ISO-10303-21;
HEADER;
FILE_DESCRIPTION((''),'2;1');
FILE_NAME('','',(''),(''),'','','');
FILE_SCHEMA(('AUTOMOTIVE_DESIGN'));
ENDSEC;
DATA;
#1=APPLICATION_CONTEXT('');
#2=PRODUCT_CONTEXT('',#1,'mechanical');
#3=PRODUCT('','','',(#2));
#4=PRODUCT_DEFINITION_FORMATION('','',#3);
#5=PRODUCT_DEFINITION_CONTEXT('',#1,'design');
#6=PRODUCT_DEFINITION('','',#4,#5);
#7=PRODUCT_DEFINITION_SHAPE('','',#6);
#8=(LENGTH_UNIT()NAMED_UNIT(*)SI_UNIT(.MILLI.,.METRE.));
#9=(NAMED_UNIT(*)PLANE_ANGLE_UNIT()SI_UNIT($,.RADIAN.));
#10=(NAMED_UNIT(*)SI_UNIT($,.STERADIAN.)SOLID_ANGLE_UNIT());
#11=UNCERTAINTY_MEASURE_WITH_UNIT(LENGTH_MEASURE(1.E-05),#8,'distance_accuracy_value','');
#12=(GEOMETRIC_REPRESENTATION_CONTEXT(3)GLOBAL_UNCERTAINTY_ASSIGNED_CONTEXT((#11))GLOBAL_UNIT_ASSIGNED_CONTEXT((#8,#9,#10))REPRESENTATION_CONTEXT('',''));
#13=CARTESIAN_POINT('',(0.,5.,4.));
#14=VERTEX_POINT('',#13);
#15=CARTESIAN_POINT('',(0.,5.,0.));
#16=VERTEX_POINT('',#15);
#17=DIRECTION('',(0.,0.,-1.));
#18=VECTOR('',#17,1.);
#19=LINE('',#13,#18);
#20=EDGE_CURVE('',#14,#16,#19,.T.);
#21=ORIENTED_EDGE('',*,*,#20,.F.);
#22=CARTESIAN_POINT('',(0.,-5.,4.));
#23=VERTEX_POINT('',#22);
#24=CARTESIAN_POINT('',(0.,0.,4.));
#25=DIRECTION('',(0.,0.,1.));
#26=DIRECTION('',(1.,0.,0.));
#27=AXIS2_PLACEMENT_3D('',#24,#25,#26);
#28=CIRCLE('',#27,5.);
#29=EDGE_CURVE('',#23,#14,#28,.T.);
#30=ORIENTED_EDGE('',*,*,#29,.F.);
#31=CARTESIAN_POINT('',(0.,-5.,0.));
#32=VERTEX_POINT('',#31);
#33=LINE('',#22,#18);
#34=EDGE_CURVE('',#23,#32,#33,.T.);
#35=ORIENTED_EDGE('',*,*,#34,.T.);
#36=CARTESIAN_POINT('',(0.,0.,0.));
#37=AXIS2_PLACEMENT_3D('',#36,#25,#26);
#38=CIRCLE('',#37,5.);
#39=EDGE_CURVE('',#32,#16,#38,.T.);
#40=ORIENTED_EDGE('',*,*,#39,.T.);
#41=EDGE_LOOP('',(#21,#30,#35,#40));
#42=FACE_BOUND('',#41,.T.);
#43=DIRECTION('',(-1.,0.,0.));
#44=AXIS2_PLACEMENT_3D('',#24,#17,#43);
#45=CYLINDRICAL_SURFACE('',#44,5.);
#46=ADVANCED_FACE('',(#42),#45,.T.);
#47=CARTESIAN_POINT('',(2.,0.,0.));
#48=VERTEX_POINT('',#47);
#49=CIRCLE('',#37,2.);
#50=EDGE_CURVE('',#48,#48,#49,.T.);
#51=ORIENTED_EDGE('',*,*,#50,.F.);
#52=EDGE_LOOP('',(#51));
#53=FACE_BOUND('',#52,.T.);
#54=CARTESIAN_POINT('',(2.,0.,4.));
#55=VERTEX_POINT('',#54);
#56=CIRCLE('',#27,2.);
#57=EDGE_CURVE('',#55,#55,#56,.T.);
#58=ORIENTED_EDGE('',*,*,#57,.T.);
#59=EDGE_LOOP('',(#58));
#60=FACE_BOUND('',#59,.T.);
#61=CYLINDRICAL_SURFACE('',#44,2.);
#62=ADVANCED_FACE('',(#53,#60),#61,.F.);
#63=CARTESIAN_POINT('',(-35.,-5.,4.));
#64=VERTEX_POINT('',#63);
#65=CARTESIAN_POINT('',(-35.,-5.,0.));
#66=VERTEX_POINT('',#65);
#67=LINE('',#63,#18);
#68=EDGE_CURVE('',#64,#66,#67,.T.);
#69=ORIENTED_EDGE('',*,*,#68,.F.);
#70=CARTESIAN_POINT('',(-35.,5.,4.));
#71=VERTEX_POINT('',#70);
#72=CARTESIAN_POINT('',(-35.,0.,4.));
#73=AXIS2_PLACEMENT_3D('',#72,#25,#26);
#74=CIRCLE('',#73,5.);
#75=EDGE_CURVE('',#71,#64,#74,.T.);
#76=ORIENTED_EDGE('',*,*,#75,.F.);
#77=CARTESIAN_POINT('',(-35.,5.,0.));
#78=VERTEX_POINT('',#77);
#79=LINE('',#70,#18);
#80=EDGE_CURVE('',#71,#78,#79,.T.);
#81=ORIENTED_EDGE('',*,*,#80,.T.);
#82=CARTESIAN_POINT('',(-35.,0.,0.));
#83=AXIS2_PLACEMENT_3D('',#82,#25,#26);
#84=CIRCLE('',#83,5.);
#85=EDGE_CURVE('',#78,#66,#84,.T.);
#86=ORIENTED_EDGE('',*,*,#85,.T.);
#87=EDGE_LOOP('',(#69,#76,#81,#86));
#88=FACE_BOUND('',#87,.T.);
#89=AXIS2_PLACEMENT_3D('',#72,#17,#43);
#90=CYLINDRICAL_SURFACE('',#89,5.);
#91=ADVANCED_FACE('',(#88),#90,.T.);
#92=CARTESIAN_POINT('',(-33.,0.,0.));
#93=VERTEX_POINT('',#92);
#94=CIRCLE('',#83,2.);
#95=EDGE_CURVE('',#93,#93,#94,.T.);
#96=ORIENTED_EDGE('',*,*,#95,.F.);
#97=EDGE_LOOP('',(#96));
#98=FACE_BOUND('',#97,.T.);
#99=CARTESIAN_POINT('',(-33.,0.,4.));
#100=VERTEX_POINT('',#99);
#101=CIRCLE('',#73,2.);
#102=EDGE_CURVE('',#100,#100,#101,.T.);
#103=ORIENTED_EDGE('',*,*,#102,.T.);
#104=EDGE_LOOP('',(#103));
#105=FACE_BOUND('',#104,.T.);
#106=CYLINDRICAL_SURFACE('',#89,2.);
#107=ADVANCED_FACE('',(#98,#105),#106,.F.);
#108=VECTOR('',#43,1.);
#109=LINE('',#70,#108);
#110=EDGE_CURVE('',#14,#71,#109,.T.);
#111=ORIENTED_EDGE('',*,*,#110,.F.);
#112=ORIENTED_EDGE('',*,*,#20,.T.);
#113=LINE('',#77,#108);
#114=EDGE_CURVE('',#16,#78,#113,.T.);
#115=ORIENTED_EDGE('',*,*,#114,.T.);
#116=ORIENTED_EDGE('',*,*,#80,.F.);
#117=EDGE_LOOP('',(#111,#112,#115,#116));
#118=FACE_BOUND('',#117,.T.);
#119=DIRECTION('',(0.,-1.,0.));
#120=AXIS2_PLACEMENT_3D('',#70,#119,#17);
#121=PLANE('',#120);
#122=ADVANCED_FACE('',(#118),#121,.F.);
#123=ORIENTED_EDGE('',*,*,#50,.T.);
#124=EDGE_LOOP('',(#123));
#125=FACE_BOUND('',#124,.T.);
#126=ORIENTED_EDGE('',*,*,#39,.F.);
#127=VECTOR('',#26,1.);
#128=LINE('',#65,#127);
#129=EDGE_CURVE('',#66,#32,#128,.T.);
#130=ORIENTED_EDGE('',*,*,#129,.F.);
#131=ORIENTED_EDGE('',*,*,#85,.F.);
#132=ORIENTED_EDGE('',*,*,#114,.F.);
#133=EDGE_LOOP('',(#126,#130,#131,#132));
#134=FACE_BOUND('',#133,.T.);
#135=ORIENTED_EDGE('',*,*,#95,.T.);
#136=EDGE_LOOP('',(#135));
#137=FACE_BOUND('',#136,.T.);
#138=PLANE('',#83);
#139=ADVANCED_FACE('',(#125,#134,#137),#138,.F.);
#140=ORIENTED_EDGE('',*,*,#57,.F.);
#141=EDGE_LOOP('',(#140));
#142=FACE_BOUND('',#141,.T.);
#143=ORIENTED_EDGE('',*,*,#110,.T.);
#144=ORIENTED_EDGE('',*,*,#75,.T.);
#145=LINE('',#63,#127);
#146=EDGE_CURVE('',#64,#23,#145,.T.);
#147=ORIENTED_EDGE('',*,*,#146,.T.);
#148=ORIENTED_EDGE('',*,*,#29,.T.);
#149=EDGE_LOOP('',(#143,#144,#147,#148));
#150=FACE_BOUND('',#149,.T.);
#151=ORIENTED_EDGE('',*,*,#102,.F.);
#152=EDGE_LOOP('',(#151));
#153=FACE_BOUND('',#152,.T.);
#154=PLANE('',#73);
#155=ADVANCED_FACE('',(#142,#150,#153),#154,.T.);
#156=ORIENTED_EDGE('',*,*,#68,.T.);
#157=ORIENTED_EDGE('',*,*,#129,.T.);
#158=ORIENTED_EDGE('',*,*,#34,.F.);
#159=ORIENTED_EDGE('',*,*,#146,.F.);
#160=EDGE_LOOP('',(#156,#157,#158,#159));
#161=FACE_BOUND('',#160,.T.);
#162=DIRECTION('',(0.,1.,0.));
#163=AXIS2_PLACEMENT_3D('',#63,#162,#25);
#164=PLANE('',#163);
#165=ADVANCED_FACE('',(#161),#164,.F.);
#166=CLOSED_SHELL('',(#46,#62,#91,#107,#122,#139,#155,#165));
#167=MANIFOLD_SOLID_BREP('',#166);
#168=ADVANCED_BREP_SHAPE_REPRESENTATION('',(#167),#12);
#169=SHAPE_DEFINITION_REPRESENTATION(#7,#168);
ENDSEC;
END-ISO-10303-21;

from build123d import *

# Parameters (mm, degrees)
SKETCH1_R           = 2
BOSS_EXTRUDE1_DEPTH = 4


with BuildPart() as part:
    # Sketch1 → Boss-Extrude1 (new body)
    with BuildSketch(Plane.XY):
        with BuildLine():
            Line((-35, 5), (0, 5))
            ThreePointArc((0, 5), (5, 0), (0, -5))
            Line((0, -5), (-35, -5))
            ThreePointArc((-35, -5), (-40, 0), (-35, 5))
        make_face()
        with Locations((-35, 0)):
            Circle(SKETCH1_R, mode=Mode.SUBTRACT)
        Circle(SKETCH1_R, mode=Mode.SUBTRACT)
    extrude(amount=BOSS_EXTRUDE1_DEPTH)


solid = part.part
